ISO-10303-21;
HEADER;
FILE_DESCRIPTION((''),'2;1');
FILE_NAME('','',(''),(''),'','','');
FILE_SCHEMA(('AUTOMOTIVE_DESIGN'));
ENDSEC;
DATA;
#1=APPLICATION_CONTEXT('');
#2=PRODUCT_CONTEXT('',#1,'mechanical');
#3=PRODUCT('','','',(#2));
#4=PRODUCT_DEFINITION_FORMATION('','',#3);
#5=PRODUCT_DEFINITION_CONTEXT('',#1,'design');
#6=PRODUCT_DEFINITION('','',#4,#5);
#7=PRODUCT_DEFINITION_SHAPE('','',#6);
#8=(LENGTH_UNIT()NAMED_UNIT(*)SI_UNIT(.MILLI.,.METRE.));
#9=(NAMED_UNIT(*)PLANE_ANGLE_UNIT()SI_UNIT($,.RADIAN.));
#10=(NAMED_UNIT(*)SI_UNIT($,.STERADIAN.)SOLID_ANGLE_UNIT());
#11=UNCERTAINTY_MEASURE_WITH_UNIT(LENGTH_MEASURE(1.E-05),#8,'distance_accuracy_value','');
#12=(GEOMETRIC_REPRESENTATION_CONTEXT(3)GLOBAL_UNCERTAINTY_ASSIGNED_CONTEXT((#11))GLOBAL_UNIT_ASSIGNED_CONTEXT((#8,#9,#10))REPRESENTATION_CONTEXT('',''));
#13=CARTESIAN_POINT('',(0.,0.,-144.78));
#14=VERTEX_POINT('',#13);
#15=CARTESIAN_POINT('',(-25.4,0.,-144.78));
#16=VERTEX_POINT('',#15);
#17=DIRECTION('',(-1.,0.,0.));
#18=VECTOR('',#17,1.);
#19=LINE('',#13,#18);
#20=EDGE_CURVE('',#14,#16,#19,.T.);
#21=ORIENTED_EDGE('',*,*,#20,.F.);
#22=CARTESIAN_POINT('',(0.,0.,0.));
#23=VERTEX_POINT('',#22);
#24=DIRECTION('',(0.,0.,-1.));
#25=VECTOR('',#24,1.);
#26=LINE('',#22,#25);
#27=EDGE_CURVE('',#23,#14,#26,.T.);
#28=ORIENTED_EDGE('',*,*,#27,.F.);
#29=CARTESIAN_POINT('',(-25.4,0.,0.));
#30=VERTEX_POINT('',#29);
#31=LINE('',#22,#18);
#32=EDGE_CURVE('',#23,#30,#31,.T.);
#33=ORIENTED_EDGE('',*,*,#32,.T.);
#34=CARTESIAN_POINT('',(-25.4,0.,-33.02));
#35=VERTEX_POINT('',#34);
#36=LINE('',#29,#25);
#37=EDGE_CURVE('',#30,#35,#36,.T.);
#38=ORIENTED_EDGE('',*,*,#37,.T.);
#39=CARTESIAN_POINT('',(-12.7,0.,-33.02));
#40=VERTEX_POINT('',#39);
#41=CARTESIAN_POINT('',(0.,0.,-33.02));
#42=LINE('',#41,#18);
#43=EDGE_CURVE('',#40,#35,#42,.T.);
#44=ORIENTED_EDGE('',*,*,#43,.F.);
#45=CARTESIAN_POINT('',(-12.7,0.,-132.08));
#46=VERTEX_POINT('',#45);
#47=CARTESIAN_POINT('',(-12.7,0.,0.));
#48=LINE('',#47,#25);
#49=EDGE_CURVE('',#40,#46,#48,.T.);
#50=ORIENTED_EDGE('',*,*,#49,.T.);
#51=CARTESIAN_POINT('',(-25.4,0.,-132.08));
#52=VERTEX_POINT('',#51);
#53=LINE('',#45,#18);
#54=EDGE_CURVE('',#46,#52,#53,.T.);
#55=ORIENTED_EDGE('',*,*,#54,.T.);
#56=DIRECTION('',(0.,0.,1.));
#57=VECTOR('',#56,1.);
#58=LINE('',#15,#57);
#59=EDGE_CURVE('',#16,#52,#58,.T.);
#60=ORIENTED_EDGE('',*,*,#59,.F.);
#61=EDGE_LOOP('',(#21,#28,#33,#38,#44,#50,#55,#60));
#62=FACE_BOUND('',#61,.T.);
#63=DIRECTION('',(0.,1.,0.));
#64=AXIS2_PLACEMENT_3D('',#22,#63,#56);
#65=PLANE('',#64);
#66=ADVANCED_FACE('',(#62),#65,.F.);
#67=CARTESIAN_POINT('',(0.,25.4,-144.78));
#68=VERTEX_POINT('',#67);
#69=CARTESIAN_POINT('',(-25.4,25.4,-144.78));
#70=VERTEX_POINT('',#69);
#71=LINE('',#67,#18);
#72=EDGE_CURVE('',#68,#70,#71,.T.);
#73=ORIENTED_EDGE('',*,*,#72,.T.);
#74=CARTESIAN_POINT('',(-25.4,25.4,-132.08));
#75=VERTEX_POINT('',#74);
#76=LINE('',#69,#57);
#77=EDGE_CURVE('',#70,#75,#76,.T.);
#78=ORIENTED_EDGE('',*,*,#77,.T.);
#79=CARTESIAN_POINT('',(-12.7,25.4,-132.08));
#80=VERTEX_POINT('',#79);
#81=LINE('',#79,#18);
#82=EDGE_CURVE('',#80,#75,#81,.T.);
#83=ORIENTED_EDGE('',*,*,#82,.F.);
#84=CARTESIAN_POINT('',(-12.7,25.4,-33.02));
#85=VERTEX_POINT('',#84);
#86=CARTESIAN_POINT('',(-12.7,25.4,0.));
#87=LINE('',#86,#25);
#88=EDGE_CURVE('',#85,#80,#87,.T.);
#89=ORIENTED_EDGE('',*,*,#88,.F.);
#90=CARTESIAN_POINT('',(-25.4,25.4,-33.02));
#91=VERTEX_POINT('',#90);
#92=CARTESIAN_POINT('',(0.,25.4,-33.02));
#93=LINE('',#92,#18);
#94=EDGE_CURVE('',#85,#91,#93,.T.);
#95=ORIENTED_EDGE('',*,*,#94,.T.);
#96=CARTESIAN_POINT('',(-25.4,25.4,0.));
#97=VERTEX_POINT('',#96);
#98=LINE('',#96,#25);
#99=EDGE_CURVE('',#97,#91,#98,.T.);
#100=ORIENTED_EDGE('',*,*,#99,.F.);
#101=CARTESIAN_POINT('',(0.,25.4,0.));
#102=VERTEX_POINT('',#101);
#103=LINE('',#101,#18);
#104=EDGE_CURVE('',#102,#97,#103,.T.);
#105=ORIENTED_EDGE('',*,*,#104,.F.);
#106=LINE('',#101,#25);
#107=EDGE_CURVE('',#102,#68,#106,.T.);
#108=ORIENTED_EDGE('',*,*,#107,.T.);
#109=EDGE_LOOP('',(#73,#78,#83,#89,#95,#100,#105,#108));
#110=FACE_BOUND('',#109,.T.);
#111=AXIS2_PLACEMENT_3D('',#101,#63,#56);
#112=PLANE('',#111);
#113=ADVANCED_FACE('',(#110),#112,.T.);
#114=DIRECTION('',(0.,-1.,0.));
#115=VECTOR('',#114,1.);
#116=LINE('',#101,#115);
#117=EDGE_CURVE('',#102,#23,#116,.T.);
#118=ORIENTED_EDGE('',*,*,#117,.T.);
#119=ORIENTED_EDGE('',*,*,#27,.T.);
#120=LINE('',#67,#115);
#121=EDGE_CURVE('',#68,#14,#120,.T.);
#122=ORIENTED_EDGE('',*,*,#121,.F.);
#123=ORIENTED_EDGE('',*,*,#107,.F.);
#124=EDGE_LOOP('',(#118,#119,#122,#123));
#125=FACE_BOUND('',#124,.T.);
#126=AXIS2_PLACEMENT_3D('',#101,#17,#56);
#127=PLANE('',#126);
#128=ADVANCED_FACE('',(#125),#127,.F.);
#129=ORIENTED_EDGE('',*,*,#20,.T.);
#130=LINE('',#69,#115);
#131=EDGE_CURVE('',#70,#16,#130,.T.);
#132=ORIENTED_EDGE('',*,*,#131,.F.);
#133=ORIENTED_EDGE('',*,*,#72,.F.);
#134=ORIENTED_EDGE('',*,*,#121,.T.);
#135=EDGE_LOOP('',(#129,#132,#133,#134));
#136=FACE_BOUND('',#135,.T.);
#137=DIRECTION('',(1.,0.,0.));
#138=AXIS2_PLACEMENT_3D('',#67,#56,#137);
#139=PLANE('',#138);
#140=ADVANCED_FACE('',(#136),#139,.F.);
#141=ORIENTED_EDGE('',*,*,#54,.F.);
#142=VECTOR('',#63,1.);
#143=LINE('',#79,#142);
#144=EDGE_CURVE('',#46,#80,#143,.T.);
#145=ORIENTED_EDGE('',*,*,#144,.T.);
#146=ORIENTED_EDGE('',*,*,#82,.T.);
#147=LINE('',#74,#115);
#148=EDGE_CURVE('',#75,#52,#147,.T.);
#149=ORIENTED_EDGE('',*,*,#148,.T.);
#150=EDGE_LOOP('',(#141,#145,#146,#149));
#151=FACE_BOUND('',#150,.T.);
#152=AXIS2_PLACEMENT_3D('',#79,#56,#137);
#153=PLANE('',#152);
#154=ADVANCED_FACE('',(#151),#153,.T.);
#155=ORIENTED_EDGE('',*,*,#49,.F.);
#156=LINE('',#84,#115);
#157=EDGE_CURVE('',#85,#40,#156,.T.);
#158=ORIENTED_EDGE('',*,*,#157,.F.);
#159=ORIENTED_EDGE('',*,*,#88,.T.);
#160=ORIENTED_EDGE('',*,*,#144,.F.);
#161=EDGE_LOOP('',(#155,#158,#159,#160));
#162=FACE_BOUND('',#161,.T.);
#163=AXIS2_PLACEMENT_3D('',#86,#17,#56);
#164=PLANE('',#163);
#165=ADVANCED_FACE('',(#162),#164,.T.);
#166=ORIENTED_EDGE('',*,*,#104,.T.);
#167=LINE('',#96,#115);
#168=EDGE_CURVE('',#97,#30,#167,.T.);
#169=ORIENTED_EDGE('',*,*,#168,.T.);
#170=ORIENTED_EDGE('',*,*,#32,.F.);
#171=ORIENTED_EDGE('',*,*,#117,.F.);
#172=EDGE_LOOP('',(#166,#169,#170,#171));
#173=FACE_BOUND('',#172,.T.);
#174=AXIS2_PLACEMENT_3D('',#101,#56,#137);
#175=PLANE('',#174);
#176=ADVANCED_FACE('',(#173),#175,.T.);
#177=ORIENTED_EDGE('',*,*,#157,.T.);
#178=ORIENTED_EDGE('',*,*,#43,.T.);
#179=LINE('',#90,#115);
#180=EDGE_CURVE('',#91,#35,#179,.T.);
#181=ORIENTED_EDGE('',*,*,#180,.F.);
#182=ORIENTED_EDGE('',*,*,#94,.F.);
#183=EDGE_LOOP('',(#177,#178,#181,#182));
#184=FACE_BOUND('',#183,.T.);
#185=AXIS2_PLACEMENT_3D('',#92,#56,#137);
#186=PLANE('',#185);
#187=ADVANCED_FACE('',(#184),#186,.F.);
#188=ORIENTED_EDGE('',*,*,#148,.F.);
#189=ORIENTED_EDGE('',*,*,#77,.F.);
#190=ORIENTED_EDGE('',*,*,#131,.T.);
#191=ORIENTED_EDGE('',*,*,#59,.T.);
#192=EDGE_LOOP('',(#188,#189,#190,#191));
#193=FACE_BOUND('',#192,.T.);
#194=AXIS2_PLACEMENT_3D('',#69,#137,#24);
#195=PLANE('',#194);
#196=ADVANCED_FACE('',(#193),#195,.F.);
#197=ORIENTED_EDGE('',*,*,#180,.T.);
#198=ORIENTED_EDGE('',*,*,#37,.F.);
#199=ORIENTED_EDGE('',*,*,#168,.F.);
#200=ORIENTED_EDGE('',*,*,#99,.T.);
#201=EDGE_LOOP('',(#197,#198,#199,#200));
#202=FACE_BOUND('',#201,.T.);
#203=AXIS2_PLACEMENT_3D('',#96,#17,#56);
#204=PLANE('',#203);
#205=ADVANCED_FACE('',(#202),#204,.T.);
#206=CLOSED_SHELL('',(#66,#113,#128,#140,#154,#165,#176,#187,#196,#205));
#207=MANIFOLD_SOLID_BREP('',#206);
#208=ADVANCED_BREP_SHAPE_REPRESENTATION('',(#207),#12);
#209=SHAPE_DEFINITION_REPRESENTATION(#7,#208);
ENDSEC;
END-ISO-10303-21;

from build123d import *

# Parameters (mm, degrees)
SKETCH1_W           = 25.4
SKETCH1_H           = 33.02
SKETCH1_W_2         = 12.7
SKETCH1_H_2         = 12.7
BOSS_EXTRUDE1_DEPTH = 25.4


with BuildPart() as part:
    # Sketch1 → Boss-Extrude1 (new body)
    with BuildSketch(Plane(origin=(0, 0, 0), x_dir=(1, 0, 0), z_dir=(0, 1, 0))):
        with Locations((-12.7, 16.51)):
            Rectangle(SKETCH1_W, SKETCH1_H)
        Polygon((-12.7, 33.02), (0, 33.02), (0, 144.78), (-12.7, 144.78), (-12.7, 132.08), align=None)
        with Locations((-19.05, 138.43)):
            Rectangle(SKETCH1_W_2, SKETCH1_H_2)
    extrude(amount=BOSS_EXTRUDE1_DEPTH)


solid = part.part
